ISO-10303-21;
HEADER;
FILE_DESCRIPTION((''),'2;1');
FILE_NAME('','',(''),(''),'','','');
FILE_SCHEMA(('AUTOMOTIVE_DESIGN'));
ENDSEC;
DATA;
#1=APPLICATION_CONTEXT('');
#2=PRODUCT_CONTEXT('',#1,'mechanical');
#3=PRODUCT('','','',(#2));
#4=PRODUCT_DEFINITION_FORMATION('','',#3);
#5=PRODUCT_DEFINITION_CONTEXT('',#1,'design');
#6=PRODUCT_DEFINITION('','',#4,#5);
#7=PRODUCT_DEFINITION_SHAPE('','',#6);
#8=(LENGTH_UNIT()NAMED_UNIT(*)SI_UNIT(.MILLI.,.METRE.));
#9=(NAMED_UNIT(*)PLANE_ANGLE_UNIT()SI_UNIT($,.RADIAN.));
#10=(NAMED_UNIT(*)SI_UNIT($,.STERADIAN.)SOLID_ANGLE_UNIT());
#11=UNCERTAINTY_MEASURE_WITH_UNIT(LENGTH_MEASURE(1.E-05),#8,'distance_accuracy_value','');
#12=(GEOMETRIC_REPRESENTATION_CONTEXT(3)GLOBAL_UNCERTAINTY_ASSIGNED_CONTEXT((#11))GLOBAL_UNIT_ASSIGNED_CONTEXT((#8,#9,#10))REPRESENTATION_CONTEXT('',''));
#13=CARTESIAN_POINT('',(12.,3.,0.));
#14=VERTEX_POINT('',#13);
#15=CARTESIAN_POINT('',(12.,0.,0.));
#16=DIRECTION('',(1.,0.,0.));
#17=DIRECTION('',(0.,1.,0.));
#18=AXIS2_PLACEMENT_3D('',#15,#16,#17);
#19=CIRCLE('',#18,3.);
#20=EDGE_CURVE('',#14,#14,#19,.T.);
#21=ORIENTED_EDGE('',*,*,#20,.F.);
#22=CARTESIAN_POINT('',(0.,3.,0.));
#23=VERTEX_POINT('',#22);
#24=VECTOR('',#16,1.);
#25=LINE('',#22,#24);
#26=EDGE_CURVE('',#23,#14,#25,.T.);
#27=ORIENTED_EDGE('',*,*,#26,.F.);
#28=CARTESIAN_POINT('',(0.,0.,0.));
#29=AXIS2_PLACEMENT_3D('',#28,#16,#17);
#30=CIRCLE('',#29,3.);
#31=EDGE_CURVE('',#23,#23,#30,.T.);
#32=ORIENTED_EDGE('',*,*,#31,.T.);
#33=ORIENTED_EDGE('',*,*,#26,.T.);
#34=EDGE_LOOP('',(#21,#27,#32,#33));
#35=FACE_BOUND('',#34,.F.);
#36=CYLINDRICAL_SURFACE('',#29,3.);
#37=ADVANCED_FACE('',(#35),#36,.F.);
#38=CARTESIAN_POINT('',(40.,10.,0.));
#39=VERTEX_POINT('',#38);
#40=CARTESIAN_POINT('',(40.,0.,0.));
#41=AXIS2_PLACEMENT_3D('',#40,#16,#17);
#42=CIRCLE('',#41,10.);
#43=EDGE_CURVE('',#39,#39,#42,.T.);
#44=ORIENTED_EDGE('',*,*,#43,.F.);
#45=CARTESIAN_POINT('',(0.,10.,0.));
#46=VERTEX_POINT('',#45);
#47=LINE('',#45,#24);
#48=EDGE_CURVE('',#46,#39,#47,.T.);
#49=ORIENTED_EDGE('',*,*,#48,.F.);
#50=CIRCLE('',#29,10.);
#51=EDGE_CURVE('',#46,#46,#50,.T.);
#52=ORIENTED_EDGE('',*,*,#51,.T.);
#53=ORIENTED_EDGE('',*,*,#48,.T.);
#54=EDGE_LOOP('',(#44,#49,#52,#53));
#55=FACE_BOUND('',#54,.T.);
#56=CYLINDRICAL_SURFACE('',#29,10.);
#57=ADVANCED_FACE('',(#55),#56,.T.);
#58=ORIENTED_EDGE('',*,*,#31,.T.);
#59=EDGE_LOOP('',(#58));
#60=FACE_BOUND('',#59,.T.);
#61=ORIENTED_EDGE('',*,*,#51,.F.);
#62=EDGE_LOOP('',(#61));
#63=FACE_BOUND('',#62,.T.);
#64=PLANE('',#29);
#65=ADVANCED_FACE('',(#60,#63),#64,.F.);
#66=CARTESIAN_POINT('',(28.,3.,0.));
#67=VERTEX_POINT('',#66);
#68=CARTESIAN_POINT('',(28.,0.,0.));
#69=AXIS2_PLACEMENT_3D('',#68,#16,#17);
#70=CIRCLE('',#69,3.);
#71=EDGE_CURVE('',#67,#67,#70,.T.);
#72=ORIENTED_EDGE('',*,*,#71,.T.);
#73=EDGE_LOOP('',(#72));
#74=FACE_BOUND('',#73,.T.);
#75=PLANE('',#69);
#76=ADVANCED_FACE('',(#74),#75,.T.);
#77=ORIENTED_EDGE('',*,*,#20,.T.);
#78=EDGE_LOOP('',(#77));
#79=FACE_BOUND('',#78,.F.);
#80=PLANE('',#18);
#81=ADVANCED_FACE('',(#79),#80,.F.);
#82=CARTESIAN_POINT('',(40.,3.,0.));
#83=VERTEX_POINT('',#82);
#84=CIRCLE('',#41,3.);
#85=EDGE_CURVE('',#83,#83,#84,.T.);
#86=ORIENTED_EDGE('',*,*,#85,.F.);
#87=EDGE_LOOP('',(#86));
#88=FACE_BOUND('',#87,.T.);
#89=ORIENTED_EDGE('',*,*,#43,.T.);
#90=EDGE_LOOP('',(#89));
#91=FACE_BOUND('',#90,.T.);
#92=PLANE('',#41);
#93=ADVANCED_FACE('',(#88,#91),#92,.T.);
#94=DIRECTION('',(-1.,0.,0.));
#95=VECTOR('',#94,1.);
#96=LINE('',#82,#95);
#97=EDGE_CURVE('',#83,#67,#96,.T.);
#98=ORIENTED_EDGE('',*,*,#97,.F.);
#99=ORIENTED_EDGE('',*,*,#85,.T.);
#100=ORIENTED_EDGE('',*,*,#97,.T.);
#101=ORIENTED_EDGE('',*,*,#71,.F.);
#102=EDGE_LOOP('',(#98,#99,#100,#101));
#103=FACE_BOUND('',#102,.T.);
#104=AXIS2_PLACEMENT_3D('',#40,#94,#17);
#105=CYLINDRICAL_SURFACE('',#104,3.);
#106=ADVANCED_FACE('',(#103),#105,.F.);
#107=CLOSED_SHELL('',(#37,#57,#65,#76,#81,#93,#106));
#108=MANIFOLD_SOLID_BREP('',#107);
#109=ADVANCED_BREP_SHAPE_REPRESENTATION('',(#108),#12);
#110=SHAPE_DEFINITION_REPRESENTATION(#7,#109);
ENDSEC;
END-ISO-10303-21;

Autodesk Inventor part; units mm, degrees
ref_plane "Start Plane" through (0, 0, 0) normal (1, 0, 0) x (0, 1, 0)
ref_plane "XZ Plane" through (0, 0, 0) normal (0, 1, 0) x (-1, 0, 0)
ref_plane "XY Plane" through (0, 0, 0) normal (0, 0, 1) x (1, 0, 0)
sketch "Main Sketch" plane through (0, 0, 0) normal (0, 0, 1) x (1, 0, 0)
  line L0 (0, 0) -> (40, 0)
  line L1 (0, 3) -> (0, 10)
  line L2 (40, 10) -> (40, 3)
  line L3 (0, 10) -> (40, 10)
  line L4 (12, 3) -> (12, 0)
  line L5 (0, 3) -> (12, 3)
  line L6 (28, 3) -> (28, 0)
  line L7 (40, 3) -> (28, 3)
  line L8 (12, 0) -> (28, 0)
  dimension "d3" = 20
  dimension "d4" = 6
  dimension "d5" = 6
revolve "Revolution1" add sketch "Main Sketch" angle 360 about axis through (0, 0, 0) along (1, 0, 0)
equation "\"Length\" = 40"
properties part number "Shaft" material "Aluminum 6061"
